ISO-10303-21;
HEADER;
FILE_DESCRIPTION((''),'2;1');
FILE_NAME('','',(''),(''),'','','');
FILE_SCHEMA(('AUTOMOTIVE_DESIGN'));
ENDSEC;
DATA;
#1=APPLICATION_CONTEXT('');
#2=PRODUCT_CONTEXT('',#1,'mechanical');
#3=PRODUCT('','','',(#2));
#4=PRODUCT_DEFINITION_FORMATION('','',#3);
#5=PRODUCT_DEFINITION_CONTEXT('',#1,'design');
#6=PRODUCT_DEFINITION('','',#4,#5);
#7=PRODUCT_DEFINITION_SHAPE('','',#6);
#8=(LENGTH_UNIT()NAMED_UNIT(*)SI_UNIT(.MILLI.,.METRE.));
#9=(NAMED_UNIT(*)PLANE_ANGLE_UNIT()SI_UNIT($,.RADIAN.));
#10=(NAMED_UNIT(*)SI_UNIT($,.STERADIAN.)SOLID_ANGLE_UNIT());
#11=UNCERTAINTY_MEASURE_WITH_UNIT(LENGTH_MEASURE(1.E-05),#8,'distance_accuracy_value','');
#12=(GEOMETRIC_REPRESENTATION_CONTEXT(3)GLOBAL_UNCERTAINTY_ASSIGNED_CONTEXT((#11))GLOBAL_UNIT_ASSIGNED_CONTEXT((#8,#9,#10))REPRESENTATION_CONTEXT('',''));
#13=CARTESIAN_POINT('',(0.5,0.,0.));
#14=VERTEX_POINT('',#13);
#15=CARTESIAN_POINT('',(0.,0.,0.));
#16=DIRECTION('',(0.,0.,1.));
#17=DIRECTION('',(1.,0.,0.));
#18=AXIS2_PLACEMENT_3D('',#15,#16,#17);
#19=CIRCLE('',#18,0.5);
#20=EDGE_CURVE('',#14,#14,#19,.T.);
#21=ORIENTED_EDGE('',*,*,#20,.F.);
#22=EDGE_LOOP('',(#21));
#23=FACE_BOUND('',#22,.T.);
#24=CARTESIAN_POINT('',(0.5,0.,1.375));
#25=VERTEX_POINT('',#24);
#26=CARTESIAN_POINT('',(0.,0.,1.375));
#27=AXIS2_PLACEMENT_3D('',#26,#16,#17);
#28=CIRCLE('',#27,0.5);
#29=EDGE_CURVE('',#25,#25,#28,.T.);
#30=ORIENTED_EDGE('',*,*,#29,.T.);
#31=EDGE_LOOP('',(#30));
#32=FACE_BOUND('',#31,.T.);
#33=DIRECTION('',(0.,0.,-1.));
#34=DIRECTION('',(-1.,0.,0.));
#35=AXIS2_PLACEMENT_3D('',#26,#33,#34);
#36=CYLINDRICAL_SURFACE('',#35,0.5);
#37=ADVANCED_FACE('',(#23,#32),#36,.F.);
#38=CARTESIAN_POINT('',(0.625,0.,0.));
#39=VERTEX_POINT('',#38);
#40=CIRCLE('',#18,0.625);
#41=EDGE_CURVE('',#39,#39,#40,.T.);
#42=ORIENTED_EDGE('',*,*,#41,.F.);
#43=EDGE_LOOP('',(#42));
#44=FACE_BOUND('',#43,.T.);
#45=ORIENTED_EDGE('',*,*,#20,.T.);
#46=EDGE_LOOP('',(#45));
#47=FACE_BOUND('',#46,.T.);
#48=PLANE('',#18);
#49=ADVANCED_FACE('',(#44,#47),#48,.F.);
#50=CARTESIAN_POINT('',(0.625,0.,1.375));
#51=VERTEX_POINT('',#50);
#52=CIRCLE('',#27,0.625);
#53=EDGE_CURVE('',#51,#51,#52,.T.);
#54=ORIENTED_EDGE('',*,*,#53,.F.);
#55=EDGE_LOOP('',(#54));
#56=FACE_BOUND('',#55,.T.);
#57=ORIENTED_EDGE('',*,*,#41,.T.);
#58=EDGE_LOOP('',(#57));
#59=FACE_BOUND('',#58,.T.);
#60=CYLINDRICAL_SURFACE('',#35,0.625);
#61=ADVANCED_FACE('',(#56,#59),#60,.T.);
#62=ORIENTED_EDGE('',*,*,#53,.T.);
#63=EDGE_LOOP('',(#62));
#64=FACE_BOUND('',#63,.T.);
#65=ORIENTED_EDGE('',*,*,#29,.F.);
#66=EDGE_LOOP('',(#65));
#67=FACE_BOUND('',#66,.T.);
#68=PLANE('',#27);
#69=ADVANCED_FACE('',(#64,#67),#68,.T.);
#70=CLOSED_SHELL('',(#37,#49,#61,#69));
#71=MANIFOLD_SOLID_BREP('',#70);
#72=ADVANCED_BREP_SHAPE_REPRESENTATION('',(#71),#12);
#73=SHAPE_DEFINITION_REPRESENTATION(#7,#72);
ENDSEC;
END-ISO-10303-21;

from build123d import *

# Parameters (mm, degrees)
SKETCH1_R           = 0.625
SKETCH1_R_2         = 0.5
BOSS_EXTRUDE1_DEPTH = 1.375


with BuildPart() as part:
    # Sketch1 → Boss-Extrude1 (new body)
    with BuildSketch(Plane.XY):
        Circle(SKETCH1_R)
        Circle(SKETCH1_R_2, mode=Mode.SUBTRACT)
    extrude(amount=BOSS_EXTRUDE1_DEPTH)


solid = part.part
